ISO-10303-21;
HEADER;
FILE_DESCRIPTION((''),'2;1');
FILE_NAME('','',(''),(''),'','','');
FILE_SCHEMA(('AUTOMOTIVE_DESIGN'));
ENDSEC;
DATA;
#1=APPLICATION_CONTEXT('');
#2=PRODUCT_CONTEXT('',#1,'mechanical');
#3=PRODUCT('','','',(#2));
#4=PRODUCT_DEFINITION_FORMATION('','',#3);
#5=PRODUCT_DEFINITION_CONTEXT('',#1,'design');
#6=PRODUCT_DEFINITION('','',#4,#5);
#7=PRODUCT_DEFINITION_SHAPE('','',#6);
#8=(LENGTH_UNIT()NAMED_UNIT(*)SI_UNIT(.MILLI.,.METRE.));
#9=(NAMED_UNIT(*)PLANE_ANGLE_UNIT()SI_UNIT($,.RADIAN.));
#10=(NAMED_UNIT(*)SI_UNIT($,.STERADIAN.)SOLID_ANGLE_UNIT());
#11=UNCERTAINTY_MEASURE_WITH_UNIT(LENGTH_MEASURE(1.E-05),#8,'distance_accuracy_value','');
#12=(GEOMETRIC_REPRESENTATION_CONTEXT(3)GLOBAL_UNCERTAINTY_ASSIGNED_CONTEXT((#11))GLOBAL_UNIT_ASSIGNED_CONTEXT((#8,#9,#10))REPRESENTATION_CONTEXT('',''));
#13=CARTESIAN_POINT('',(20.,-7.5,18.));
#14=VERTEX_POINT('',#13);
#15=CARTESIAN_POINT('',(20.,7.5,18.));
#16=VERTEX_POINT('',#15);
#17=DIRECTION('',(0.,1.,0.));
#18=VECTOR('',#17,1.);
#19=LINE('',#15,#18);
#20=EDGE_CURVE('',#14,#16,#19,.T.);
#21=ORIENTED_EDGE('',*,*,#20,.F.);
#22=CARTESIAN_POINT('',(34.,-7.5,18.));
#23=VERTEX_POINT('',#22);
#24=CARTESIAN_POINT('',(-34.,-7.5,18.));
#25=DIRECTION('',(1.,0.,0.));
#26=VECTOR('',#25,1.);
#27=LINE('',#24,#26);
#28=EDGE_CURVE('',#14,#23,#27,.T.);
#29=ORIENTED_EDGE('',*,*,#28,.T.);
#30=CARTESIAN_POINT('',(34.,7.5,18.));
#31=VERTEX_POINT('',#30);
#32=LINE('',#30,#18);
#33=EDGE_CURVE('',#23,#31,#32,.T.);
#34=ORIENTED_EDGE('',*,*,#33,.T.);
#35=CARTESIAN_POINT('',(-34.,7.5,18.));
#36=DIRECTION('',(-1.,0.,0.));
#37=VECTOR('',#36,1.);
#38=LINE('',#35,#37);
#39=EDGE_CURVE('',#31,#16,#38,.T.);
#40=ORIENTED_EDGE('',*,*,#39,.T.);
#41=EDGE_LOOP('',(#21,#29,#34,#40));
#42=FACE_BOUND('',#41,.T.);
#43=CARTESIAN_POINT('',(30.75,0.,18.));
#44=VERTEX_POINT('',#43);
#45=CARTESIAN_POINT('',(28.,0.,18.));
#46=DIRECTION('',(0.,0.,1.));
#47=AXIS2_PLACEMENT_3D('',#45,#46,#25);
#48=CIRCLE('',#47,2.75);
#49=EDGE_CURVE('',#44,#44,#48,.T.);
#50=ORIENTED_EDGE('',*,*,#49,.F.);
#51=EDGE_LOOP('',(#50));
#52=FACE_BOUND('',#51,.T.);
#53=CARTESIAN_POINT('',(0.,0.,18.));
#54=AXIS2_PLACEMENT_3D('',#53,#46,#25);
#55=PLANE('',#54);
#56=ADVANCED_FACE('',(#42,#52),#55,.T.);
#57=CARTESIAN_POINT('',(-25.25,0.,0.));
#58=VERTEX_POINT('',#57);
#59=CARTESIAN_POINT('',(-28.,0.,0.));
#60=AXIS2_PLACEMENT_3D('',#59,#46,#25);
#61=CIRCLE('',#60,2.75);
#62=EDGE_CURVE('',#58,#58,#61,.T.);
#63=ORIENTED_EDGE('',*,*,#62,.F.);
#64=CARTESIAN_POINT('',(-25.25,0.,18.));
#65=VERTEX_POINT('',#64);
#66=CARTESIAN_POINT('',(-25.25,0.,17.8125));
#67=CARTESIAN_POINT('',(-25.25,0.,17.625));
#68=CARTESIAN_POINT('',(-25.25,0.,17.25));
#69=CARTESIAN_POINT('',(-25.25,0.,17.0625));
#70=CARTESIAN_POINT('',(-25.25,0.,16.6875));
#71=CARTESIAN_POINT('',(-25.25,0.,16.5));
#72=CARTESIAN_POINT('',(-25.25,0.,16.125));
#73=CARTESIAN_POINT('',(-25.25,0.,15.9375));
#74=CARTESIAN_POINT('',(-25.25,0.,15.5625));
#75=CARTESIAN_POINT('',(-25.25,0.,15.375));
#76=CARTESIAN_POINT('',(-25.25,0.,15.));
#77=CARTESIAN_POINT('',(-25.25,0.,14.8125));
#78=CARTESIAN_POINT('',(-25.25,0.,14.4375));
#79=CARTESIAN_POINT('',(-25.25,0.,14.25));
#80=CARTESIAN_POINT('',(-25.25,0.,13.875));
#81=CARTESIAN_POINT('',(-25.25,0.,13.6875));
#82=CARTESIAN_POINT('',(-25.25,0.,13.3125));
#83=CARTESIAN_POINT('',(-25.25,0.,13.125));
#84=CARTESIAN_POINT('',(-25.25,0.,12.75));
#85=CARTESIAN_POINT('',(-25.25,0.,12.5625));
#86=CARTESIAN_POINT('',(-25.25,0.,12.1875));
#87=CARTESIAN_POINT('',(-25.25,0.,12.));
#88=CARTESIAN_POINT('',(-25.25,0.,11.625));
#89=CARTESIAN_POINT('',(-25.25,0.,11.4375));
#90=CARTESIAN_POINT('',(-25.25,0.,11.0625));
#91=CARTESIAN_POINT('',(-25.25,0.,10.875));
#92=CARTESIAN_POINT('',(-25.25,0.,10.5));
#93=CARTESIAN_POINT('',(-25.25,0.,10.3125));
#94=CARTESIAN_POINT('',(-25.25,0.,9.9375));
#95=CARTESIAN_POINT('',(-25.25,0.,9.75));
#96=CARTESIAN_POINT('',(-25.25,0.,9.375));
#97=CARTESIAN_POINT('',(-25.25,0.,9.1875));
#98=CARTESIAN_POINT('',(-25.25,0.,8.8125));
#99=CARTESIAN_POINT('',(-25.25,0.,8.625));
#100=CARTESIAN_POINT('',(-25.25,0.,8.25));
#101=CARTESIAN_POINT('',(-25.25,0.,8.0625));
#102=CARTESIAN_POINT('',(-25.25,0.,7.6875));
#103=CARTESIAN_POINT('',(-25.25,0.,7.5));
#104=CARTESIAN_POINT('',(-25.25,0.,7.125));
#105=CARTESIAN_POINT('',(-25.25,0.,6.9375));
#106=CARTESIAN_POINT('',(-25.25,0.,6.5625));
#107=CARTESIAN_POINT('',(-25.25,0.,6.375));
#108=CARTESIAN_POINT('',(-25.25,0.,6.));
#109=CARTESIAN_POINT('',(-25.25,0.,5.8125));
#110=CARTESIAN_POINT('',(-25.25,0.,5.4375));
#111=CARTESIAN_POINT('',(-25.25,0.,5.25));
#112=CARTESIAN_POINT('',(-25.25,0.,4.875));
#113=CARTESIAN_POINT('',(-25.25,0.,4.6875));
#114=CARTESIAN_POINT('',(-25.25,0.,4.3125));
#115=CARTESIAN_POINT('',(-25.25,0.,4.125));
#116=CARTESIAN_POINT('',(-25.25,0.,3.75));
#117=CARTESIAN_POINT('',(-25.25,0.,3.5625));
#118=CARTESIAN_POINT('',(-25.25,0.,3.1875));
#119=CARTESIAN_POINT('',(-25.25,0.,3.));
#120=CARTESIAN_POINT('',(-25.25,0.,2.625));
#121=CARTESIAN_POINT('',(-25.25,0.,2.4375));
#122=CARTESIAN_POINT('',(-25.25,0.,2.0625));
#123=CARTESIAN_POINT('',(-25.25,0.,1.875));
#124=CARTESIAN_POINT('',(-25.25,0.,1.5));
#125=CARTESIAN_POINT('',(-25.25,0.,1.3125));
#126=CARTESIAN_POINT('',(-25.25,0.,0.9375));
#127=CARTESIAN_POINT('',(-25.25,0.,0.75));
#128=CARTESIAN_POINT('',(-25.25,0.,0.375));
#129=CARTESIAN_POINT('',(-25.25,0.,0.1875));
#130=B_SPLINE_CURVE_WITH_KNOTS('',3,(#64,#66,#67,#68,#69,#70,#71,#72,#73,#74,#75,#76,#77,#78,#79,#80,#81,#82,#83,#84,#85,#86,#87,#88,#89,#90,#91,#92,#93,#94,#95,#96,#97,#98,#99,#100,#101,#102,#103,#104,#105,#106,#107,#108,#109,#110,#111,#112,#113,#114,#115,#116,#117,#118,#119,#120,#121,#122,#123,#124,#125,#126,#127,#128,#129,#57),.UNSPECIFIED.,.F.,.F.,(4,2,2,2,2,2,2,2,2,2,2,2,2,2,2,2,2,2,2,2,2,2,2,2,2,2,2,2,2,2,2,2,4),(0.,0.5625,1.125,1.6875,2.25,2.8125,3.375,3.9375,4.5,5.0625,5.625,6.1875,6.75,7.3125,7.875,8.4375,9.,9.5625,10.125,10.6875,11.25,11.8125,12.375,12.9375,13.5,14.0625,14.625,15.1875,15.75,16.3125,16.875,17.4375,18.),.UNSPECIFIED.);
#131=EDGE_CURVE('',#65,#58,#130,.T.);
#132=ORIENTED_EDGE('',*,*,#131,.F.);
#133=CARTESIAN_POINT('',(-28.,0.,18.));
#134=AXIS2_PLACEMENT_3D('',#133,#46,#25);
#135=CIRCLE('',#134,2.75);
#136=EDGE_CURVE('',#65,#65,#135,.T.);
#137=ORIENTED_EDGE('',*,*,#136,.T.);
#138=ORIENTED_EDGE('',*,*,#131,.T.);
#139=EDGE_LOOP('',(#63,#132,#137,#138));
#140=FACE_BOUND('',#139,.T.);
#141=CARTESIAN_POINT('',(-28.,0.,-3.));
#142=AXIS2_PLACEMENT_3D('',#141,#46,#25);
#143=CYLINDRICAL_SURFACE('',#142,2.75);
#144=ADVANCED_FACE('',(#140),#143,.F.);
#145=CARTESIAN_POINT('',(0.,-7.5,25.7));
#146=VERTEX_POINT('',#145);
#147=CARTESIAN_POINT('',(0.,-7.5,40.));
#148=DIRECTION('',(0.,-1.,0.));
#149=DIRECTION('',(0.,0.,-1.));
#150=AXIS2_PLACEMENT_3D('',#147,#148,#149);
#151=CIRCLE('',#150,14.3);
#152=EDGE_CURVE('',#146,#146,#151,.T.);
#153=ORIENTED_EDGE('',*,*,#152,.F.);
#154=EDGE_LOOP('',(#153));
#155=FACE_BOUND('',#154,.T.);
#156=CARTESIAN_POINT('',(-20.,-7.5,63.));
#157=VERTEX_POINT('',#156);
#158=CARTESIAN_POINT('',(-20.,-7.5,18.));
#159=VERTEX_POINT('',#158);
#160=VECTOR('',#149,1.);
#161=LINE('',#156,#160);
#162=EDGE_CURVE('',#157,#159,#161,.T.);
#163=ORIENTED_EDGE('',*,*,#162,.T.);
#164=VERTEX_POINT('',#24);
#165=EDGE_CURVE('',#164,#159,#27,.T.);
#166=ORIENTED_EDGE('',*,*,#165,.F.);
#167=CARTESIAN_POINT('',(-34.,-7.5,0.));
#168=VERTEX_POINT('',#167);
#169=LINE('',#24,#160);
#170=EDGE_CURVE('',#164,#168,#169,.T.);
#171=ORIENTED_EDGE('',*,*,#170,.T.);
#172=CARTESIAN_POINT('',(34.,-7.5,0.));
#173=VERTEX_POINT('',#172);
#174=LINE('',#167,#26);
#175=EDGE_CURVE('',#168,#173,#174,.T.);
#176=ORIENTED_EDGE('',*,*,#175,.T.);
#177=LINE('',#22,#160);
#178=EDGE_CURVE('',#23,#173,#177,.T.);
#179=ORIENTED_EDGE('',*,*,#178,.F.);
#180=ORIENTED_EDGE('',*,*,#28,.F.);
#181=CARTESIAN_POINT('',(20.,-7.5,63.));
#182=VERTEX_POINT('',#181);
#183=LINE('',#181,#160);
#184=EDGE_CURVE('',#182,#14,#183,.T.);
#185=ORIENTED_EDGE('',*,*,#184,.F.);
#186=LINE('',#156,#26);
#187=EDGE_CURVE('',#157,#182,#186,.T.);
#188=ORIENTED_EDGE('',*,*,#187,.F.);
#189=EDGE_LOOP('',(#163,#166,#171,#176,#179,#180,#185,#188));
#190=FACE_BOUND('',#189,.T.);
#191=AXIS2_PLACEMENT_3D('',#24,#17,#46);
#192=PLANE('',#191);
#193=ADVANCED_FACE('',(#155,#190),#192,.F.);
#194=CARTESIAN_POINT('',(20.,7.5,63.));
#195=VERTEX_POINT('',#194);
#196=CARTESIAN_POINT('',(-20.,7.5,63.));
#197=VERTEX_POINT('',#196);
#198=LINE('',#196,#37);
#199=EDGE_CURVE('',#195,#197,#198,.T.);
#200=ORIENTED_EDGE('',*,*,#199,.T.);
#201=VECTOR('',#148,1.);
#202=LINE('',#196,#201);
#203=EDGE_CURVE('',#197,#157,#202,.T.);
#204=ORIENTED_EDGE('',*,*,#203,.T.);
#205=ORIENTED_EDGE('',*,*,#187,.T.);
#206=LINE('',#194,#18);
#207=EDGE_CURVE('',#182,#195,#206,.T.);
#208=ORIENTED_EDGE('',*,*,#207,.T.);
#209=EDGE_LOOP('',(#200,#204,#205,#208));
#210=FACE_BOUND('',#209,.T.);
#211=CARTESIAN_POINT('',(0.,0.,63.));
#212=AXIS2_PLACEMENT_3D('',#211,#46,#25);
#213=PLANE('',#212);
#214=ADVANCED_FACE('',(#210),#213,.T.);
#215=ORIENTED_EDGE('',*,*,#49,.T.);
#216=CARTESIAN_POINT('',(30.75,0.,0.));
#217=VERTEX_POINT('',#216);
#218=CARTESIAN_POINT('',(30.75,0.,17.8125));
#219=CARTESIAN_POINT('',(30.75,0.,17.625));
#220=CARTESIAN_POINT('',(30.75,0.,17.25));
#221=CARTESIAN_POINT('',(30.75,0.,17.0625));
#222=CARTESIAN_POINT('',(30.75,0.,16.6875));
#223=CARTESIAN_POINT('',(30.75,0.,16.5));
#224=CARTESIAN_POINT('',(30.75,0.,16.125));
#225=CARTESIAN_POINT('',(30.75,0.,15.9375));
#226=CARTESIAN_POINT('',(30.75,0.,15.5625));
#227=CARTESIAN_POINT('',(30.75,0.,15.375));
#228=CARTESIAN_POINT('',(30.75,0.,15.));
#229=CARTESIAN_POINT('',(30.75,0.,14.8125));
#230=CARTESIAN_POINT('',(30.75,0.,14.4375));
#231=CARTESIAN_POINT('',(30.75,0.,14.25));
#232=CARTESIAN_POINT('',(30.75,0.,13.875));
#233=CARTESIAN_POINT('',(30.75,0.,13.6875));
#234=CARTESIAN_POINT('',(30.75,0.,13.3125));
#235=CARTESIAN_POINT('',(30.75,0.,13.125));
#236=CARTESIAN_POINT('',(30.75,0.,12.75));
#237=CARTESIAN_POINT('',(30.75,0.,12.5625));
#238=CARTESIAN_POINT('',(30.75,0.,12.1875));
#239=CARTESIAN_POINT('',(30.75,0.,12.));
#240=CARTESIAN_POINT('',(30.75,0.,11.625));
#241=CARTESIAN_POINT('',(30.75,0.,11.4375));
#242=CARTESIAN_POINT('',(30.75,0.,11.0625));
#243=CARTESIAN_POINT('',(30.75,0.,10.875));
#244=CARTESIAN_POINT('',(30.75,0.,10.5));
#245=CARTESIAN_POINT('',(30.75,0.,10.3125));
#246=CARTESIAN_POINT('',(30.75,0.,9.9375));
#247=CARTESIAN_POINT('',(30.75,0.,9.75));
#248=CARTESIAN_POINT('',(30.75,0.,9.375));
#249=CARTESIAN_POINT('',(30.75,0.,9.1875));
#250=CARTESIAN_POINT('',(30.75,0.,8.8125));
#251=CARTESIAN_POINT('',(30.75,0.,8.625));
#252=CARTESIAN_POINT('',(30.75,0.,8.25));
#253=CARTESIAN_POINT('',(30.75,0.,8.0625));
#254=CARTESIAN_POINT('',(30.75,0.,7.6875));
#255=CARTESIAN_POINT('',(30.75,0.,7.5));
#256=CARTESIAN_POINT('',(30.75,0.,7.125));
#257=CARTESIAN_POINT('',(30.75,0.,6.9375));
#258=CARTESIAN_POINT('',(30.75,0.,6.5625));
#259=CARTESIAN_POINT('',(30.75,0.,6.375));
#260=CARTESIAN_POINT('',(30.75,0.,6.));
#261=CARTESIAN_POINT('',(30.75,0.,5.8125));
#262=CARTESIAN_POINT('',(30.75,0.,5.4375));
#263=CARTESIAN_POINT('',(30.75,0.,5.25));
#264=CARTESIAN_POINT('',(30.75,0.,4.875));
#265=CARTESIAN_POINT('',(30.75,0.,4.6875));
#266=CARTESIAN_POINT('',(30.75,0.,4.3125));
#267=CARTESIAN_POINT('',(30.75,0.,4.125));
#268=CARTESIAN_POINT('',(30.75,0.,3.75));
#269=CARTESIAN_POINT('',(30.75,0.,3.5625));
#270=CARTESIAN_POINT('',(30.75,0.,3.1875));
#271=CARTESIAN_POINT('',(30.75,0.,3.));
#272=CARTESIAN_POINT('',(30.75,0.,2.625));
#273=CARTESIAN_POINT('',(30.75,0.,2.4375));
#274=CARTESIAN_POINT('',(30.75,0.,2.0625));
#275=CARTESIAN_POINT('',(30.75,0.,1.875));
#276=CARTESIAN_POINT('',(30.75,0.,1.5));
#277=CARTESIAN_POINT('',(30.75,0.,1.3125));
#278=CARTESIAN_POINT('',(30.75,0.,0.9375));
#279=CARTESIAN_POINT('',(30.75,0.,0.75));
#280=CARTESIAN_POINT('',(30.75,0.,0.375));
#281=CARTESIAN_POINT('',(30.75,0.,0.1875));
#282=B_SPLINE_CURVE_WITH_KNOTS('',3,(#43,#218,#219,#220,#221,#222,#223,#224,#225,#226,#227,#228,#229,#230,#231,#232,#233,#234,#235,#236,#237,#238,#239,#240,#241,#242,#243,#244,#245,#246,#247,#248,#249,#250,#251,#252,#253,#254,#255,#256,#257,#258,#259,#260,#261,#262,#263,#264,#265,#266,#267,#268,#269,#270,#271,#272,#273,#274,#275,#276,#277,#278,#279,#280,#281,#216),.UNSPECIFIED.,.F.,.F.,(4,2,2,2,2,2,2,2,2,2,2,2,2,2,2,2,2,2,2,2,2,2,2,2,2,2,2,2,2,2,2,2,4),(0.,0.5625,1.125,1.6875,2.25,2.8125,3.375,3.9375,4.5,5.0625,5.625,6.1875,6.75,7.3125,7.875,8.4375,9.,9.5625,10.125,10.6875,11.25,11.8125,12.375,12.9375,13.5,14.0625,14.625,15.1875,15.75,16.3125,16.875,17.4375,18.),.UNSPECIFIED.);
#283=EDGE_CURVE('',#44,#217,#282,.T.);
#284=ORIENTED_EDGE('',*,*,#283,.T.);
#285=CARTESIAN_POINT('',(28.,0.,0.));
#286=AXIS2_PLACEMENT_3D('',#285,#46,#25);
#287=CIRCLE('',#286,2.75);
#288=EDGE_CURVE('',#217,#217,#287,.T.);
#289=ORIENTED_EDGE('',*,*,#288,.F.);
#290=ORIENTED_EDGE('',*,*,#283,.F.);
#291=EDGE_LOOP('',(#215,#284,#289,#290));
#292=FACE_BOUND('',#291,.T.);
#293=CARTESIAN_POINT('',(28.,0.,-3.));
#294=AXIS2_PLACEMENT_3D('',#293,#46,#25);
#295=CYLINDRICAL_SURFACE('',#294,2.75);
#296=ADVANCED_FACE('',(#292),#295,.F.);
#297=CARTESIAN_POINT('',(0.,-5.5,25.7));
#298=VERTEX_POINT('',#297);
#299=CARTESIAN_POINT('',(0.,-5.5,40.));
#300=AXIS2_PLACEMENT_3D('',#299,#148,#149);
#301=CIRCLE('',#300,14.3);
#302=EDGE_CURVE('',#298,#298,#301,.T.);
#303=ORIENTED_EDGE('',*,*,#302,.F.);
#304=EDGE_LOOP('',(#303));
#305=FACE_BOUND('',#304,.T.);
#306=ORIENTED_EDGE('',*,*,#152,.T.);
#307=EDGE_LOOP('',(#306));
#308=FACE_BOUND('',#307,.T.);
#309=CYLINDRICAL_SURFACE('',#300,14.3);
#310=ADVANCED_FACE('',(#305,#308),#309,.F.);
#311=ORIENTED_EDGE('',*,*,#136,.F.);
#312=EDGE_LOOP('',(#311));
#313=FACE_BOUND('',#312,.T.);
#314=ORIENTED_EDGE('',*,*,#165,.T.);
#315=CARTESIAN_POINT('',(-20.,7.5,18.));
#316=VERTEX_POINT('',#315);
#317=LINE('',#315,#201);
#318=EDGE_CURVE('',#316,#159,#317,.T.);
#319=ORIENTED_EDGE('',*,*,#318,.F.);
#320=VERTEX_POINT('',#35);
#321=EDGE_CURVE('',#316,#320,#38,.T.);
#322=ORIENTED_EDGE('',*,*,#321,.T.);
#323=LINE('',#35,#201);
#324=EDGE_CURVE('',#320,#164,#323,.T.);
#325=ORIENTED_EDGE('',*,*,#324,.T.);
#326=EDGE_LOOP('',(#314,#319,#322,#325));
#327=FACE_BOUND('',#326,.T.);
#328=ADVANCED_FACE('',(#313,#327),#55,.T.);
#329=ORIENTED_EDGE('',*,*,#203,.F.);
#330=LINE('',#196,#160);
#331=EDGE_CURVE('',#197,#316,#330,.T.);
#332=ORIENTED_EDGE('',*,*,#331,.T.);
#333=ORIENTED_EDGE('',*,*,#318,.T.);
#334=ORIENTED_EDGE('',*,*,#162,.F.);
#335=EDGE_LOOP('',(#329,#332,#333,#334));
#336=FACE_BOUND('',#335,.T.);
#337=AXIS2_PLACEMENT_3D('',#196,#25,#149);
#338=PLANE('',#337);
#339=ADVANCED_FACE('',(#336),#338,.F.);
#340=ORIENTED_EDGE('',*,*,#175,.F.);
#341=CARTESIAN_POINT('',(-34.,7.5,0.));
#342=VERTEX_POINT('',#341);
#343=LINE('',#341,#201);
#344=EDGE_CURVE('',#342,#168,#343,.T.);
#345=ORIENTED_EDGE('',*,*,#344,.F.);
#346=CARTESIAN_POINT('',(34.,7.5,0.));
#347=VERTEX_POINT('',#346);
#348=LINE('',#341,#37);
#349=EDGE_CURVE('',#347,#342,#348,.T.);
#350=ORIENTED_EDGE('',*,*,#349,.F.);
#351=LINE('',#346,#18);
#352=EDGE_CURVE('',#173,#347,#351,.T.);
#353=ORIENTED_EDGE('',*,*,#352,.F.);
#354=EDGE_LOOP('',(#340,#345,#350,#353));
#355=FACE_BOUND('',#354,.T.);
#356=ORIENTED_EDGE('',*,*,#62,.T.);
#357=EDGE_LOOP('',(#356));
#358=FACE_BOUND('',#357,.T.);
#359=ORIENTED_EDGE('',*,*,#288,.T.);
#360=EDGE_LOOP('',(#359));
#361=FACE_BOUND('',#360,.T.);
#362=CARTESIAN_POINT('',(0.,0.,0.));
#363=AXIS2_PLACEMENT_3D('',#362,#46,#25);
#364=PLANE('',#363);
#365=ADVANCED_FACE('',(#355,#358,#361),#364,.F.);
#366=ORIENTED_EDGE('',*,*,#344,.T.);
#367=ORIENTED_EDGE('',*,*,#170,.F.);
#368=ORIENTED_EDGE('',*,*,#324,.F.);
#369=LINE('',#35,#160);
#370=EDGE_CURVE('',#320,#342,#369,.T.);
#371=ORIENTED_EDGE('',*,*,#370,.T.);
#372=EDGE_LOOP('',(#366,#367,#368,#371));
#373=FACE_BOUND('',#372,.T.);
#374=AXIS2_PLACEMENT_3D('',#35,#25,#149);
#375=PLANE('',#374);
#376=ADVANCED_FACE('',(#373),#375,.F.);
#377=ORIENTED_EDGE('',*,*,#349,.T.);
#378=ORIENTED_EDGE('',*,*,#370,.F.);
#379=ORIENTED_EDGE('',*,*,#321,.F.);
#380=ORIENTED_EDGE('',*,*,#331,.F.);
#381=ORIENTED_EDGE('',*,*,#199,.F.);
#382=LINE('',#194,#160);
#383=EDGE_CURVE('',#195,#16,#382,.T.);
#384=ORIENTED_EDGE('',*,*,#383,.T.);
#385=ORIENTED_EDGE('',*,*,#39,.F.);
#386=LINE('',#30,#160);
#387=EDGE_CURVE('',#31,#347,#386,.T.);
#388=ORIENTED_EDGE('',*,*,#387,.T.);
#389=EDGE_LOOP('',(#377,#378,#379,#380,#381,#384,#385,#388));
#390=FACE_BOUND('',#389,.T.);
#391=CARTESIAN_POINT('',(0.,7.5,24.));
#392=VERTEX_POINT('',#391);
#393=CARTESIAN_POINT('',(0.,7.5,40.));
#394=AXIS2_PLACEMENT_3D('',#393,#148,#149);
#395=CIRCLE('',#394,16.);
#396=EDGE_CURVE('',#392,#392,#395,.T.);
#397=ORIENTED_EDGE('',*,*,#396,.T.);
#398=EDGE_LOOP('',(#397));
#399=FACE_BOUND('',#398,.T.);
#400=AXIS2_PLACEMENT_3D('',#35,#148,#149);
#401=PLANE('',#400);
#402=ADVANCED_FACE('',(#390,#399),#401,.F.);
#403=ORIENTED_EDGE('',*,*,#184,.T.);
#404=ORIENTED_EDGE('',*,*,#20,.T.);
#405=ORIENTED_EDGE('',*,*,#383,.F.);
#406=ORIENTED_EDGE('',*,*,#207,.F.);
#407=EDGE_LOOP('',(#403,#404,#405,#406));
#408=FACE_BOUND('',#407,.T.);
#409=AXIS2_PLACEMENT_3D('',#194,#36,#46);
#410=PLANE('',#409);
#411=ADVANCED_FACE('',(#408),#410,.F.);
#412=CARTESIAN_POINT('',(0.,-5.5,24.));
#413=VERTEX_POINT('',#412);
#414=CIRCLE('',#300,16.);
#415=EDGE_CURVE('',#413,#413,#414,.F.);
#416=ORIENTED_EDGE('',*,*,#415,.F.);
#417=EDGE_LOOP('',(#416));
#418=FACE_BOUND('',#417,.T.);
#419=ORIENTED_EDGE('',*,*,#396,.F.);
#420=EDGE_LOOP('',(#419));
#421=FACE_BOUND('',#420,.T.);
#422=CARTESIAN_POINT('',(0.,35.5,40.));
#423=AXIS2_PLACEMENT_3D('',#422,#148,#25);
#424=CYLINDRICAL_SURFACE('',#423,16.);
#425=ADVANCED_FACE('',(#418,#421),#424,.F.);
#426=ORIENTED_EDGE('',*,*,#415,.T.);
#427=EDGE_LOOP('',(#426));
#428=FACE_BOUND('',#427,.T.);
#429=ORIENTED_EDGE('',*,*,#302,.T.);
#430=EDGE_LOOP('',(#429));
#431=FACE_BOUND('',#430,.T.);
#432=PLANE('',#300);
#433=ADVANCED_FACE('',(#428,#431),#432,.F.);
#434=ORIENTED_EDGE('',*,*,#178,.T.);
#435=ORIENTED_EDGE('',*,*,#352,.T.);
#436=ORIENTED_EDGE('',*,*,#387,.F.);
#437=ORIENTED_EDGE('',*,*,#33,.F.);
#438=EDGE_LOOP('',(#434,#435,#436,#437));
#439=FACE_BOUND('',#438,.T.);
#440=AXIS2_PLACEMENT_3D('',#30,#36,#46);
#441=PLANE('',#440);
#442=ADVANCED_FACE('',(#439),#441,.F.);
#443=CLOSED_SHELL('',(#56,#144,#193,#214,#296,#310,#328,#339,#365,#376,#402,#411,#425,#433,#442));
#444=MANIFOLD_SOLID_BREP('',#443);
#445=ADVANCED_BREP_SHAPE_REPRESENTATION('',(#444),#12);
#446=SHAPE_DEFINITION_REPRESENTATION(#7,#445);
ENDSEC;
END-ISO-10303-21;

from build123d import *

# Parameters (mm, degrees)
SKETCH_1_W          = 68
SKETCH_1_H          = 15
EXTRUDE_1_DEPTH     = 18
SKETCH_2_W          = 40
SKETCH_2_H          = 15
EXTRUDE_2_DEPTH     = 45
SKETCH_3_R          = 16
CUT_EXTRUDE_1_DEPTH = 43
SKETCH_4_R          = 16
SKETCH_4_R_2        = 14.3
EXTRUDE_3_DEPTH     = 2
SKETCH_5_R          = 2.75
CUT_EXTRUDE_2_DEPTH = 21


with BuildPart() as part:
    # 草图1 → 凸台-拉伸1 (new body)
    with BuildSketch(Plane.XY):
        Rectangle(SKETCH_1_W, SKETCH_1_H)
    extrude(amount=EXTRUDE_1_DEPTH)

    # 草图2 → 凸台-拉伸2 (add)
    with BuildSketch(Plane.XY.offset(18)):
        Rectangle(SKETCH_2_W, SKETCH_2_H)
    extrude(amount=EXTRUDE_2_DEPTH)

    # 草图3 → 切除-拉伸1 (cut)
    with BuildSketch(Plane.XZ.offset(7.5)):
        with Locations((0, 40)):
            Circle(SKETCH_3_R)
    extrude(amount=-CUT_EXTRUDE_1_DEPTH, mode=Mode.SUBTRACT)

    # 草图4 → 凸台-拉伸3 (add)
    with BuildSketch(Plane.XZ.offset(7.5)):
        with Locations(Location((0, 40, 0), (0, 0, 270))):
            Circle(SKETCH_4_R)
        with Locations(Location((0, 40, 0), (0, 0, 270))):
            Circle(SKETCH_4_R_2, mode=Mode.SUBTRACT)
    extrude(amount=-EXTRUDE_3_DEPTH)

    # 草图5 → 切除-拉伸2 (cut)
    with BuildSketch(Plane.XY.offset(18)):
        with Locations((28, 0)):
            Circle(SKETCH_5_R)
        with Locations((-28, 0)):
            Circle(SKETCH_5_R)
    extrude(amount=-CUT_EXTRUDE_2_DEPTH, mode=Mode.SUBTRACT)


solid = part.part
